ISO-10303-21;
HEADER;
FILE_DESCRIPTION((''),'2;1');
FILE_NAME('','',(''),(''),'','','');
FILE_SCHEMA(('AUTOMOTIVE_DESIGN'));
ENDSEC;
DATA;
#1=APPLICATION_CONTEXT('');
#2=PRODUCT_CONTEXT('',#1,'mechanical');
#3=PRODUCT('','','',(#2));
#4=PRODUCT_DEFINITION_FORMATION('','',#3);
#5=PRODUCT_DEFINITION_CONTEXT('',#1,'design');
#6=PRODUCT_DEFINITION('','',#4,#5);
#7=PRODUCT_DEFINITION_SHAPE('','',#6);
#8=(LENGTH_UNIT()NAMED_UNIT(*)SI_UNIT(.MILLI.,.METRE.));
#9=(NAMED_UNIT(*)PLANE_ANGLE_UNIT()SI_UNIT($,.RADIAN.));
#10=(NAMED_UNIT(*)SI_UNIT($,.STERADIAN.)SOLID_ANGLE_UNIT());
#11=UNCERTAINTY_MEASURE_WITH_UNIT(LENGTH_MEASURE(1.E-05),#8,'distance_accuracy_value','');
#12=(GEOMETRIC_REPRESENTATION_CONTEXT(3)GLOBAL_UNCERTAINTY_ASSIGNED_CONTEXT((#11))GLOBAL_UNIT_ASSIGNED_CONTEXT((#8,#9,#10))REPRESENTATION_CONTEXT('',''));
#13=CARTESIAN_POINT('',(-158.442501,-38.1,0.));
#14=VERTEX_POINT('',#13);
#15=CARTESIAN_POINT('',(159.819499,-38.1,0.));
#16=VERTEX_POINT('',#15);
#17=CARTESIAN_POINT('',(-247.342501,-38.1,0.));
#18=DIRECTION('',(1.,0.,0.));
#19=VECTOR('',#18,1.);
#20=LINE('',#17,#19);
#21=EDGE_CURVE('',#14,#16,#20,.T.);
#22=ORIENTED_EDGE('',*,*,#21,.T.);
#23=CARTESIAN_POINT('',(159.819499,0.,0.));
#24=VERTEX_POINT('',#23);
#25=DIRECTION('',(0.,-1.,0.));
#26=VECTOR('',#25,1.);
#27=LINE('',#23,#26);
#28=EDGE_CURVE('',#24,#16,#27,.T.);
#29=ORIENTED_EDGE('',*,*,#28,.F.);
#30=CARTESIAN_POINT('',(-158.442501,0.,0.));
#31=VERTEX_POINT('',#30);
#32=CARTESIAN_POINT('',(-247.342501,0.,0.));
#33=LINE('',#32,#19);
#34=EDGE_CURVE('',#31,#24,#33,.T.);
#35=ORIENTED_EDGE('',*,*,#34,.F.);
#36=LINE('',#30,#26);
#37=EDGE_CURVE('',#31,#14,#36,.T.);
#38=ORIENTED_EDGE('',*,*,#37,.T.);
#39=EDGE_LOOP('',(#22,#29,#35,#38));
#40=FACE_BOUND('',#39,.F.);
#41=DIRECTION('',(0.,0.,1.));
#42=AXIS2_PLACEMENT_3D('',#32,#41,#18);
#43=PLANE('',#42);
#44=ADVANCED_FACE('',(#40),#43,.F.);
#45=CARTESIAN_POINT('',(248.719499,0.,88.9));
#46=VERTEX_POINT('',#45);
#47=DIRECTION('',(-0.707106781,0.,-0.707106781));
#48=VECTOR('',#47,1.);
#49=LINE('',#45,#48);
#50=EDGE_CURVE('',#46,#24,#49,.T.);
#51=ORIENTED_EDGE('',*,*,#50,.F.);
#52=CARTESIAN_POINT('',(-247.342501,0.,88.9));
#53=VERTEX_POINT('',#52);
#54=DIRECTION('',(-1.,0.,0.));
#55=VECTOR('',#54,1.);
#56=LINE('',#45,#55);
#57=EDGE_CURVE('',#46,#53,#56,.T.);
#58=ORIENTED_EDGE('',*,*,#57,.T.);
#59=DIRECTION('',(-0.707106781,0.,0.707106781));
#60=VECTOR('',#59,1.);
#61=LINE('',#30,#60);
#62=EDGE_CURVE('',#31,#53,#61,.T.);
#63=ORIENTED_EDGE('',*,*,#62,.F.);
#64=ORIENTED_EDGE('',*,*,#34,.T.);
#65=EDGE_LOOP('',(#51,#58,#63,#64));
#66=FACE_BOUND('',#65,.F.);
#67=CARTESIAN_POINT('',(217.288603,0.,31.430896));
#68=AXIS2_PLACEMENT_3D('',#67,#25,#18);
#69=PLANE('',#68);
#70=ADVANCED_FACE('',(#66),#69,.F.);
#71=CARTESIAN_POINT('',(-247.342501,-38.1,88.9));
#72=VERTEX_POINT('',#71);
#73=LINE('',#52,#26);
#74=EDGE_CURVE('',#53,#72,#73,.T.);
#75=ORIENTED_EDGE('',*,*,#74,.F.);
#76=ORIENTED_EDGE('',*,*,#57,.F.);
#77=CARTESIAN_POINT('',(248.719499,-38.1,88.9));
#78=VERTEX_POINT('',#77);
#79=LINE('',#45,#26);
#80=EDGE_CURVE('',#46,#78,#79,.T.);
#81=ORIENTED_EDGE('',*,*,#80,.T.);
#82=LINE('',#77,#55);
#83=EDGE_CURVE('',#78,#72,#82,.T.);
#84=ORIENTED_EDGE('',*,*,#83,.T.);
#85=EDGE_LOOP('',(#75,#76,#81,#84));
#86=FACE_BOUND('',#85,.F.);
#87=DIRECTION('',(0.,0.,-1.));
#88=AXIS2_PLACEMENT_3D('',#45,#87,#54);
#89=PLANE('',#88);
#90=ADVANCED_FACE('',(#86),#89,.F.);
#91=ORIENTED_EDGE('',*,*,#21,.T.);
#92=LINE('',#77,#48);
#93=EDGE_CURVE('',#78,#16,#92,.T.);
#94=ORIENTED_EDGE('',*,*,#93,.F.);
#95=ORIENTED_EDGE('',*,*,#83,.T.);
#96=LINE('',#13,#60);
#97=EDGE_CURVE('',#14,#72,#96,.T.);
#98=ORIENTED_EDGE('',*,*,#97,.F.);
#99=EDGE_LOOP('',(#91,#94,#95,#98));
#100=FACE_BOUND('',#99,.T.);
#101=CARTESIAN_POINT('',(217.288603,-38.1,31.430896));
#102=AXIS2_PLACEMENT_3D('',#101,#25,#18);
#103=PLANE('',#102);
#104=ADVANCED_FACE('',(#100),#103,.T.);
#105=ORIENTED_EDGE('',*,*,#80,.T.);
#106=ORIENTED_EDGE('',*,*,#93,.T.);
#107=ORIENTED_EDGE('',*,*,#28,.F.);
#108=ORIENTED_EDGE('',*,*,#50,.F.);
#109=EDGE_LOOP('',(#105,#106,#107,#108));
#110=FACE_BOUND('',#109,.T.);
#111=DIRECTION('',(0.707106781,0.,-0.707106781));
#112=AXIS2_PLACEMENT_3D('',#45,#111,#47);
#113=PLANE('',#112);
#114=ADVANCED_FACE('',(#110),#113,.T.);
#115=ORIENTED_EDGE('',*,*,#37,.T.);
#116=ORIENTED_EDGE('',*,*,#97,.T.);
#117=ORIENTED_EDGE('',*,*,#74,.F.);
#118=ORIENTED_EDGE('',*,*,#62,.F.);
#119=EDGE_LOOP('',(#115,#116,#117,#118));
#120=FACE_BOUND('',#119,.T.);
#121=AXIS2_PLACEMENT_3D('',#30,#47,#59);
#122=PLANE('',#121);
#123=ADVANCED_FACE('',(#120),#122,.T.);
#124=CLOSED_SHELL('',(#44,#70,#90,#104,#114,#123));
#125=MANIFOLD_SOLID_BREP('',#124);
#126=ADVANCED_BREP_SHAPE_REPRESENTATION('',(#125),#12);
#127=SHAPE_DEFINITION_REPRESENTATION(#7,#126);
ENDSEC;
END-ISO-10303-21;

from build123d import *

# Parameters (mm, degrees)
F1_DEPTH = 38.1
F2_DEPTH = 38.1
F3_DEPTH = 38.1


with BuildPart() as f1:
    # F0 (on Front) → F1 (new body)
    with BuildSketch(Plane.XZ):
        Polygon((159.819499, 0), (248.719499, 0), (248.719499, 88.9), align=None)
        Polygon((-158.442501, 0), (159.819499, 0), (248.719499, 88.9), (-247.342501, 88.9), align=None)
        Polygon((-247.342501, 0), (-158.442501, 0), (-247.342501, 88.9), align=None)
    extrude(amount=F1_DEPTH)

    # F0 (on Front) → F2 (cut)
    with BuildSketch(Plane.XZ):
        Polygon((-247.342501, 0), (-158.442501, 0), (-247.342501, 88.9), align=None)
    extrude(amount=F2_DEPTH, mode=Mode.SUBTRACT)

    # F0 (on Front) → F3 (cut)
    with BuildSketch(Plane.XZ):
        Polygon((159.819499, 0), (248.719499, 0), (248.719499, 88.9), align=None)
    extrude(amount=F3_DEPTH, mode=Mode.SUBTRACT)


solid = f1.part
